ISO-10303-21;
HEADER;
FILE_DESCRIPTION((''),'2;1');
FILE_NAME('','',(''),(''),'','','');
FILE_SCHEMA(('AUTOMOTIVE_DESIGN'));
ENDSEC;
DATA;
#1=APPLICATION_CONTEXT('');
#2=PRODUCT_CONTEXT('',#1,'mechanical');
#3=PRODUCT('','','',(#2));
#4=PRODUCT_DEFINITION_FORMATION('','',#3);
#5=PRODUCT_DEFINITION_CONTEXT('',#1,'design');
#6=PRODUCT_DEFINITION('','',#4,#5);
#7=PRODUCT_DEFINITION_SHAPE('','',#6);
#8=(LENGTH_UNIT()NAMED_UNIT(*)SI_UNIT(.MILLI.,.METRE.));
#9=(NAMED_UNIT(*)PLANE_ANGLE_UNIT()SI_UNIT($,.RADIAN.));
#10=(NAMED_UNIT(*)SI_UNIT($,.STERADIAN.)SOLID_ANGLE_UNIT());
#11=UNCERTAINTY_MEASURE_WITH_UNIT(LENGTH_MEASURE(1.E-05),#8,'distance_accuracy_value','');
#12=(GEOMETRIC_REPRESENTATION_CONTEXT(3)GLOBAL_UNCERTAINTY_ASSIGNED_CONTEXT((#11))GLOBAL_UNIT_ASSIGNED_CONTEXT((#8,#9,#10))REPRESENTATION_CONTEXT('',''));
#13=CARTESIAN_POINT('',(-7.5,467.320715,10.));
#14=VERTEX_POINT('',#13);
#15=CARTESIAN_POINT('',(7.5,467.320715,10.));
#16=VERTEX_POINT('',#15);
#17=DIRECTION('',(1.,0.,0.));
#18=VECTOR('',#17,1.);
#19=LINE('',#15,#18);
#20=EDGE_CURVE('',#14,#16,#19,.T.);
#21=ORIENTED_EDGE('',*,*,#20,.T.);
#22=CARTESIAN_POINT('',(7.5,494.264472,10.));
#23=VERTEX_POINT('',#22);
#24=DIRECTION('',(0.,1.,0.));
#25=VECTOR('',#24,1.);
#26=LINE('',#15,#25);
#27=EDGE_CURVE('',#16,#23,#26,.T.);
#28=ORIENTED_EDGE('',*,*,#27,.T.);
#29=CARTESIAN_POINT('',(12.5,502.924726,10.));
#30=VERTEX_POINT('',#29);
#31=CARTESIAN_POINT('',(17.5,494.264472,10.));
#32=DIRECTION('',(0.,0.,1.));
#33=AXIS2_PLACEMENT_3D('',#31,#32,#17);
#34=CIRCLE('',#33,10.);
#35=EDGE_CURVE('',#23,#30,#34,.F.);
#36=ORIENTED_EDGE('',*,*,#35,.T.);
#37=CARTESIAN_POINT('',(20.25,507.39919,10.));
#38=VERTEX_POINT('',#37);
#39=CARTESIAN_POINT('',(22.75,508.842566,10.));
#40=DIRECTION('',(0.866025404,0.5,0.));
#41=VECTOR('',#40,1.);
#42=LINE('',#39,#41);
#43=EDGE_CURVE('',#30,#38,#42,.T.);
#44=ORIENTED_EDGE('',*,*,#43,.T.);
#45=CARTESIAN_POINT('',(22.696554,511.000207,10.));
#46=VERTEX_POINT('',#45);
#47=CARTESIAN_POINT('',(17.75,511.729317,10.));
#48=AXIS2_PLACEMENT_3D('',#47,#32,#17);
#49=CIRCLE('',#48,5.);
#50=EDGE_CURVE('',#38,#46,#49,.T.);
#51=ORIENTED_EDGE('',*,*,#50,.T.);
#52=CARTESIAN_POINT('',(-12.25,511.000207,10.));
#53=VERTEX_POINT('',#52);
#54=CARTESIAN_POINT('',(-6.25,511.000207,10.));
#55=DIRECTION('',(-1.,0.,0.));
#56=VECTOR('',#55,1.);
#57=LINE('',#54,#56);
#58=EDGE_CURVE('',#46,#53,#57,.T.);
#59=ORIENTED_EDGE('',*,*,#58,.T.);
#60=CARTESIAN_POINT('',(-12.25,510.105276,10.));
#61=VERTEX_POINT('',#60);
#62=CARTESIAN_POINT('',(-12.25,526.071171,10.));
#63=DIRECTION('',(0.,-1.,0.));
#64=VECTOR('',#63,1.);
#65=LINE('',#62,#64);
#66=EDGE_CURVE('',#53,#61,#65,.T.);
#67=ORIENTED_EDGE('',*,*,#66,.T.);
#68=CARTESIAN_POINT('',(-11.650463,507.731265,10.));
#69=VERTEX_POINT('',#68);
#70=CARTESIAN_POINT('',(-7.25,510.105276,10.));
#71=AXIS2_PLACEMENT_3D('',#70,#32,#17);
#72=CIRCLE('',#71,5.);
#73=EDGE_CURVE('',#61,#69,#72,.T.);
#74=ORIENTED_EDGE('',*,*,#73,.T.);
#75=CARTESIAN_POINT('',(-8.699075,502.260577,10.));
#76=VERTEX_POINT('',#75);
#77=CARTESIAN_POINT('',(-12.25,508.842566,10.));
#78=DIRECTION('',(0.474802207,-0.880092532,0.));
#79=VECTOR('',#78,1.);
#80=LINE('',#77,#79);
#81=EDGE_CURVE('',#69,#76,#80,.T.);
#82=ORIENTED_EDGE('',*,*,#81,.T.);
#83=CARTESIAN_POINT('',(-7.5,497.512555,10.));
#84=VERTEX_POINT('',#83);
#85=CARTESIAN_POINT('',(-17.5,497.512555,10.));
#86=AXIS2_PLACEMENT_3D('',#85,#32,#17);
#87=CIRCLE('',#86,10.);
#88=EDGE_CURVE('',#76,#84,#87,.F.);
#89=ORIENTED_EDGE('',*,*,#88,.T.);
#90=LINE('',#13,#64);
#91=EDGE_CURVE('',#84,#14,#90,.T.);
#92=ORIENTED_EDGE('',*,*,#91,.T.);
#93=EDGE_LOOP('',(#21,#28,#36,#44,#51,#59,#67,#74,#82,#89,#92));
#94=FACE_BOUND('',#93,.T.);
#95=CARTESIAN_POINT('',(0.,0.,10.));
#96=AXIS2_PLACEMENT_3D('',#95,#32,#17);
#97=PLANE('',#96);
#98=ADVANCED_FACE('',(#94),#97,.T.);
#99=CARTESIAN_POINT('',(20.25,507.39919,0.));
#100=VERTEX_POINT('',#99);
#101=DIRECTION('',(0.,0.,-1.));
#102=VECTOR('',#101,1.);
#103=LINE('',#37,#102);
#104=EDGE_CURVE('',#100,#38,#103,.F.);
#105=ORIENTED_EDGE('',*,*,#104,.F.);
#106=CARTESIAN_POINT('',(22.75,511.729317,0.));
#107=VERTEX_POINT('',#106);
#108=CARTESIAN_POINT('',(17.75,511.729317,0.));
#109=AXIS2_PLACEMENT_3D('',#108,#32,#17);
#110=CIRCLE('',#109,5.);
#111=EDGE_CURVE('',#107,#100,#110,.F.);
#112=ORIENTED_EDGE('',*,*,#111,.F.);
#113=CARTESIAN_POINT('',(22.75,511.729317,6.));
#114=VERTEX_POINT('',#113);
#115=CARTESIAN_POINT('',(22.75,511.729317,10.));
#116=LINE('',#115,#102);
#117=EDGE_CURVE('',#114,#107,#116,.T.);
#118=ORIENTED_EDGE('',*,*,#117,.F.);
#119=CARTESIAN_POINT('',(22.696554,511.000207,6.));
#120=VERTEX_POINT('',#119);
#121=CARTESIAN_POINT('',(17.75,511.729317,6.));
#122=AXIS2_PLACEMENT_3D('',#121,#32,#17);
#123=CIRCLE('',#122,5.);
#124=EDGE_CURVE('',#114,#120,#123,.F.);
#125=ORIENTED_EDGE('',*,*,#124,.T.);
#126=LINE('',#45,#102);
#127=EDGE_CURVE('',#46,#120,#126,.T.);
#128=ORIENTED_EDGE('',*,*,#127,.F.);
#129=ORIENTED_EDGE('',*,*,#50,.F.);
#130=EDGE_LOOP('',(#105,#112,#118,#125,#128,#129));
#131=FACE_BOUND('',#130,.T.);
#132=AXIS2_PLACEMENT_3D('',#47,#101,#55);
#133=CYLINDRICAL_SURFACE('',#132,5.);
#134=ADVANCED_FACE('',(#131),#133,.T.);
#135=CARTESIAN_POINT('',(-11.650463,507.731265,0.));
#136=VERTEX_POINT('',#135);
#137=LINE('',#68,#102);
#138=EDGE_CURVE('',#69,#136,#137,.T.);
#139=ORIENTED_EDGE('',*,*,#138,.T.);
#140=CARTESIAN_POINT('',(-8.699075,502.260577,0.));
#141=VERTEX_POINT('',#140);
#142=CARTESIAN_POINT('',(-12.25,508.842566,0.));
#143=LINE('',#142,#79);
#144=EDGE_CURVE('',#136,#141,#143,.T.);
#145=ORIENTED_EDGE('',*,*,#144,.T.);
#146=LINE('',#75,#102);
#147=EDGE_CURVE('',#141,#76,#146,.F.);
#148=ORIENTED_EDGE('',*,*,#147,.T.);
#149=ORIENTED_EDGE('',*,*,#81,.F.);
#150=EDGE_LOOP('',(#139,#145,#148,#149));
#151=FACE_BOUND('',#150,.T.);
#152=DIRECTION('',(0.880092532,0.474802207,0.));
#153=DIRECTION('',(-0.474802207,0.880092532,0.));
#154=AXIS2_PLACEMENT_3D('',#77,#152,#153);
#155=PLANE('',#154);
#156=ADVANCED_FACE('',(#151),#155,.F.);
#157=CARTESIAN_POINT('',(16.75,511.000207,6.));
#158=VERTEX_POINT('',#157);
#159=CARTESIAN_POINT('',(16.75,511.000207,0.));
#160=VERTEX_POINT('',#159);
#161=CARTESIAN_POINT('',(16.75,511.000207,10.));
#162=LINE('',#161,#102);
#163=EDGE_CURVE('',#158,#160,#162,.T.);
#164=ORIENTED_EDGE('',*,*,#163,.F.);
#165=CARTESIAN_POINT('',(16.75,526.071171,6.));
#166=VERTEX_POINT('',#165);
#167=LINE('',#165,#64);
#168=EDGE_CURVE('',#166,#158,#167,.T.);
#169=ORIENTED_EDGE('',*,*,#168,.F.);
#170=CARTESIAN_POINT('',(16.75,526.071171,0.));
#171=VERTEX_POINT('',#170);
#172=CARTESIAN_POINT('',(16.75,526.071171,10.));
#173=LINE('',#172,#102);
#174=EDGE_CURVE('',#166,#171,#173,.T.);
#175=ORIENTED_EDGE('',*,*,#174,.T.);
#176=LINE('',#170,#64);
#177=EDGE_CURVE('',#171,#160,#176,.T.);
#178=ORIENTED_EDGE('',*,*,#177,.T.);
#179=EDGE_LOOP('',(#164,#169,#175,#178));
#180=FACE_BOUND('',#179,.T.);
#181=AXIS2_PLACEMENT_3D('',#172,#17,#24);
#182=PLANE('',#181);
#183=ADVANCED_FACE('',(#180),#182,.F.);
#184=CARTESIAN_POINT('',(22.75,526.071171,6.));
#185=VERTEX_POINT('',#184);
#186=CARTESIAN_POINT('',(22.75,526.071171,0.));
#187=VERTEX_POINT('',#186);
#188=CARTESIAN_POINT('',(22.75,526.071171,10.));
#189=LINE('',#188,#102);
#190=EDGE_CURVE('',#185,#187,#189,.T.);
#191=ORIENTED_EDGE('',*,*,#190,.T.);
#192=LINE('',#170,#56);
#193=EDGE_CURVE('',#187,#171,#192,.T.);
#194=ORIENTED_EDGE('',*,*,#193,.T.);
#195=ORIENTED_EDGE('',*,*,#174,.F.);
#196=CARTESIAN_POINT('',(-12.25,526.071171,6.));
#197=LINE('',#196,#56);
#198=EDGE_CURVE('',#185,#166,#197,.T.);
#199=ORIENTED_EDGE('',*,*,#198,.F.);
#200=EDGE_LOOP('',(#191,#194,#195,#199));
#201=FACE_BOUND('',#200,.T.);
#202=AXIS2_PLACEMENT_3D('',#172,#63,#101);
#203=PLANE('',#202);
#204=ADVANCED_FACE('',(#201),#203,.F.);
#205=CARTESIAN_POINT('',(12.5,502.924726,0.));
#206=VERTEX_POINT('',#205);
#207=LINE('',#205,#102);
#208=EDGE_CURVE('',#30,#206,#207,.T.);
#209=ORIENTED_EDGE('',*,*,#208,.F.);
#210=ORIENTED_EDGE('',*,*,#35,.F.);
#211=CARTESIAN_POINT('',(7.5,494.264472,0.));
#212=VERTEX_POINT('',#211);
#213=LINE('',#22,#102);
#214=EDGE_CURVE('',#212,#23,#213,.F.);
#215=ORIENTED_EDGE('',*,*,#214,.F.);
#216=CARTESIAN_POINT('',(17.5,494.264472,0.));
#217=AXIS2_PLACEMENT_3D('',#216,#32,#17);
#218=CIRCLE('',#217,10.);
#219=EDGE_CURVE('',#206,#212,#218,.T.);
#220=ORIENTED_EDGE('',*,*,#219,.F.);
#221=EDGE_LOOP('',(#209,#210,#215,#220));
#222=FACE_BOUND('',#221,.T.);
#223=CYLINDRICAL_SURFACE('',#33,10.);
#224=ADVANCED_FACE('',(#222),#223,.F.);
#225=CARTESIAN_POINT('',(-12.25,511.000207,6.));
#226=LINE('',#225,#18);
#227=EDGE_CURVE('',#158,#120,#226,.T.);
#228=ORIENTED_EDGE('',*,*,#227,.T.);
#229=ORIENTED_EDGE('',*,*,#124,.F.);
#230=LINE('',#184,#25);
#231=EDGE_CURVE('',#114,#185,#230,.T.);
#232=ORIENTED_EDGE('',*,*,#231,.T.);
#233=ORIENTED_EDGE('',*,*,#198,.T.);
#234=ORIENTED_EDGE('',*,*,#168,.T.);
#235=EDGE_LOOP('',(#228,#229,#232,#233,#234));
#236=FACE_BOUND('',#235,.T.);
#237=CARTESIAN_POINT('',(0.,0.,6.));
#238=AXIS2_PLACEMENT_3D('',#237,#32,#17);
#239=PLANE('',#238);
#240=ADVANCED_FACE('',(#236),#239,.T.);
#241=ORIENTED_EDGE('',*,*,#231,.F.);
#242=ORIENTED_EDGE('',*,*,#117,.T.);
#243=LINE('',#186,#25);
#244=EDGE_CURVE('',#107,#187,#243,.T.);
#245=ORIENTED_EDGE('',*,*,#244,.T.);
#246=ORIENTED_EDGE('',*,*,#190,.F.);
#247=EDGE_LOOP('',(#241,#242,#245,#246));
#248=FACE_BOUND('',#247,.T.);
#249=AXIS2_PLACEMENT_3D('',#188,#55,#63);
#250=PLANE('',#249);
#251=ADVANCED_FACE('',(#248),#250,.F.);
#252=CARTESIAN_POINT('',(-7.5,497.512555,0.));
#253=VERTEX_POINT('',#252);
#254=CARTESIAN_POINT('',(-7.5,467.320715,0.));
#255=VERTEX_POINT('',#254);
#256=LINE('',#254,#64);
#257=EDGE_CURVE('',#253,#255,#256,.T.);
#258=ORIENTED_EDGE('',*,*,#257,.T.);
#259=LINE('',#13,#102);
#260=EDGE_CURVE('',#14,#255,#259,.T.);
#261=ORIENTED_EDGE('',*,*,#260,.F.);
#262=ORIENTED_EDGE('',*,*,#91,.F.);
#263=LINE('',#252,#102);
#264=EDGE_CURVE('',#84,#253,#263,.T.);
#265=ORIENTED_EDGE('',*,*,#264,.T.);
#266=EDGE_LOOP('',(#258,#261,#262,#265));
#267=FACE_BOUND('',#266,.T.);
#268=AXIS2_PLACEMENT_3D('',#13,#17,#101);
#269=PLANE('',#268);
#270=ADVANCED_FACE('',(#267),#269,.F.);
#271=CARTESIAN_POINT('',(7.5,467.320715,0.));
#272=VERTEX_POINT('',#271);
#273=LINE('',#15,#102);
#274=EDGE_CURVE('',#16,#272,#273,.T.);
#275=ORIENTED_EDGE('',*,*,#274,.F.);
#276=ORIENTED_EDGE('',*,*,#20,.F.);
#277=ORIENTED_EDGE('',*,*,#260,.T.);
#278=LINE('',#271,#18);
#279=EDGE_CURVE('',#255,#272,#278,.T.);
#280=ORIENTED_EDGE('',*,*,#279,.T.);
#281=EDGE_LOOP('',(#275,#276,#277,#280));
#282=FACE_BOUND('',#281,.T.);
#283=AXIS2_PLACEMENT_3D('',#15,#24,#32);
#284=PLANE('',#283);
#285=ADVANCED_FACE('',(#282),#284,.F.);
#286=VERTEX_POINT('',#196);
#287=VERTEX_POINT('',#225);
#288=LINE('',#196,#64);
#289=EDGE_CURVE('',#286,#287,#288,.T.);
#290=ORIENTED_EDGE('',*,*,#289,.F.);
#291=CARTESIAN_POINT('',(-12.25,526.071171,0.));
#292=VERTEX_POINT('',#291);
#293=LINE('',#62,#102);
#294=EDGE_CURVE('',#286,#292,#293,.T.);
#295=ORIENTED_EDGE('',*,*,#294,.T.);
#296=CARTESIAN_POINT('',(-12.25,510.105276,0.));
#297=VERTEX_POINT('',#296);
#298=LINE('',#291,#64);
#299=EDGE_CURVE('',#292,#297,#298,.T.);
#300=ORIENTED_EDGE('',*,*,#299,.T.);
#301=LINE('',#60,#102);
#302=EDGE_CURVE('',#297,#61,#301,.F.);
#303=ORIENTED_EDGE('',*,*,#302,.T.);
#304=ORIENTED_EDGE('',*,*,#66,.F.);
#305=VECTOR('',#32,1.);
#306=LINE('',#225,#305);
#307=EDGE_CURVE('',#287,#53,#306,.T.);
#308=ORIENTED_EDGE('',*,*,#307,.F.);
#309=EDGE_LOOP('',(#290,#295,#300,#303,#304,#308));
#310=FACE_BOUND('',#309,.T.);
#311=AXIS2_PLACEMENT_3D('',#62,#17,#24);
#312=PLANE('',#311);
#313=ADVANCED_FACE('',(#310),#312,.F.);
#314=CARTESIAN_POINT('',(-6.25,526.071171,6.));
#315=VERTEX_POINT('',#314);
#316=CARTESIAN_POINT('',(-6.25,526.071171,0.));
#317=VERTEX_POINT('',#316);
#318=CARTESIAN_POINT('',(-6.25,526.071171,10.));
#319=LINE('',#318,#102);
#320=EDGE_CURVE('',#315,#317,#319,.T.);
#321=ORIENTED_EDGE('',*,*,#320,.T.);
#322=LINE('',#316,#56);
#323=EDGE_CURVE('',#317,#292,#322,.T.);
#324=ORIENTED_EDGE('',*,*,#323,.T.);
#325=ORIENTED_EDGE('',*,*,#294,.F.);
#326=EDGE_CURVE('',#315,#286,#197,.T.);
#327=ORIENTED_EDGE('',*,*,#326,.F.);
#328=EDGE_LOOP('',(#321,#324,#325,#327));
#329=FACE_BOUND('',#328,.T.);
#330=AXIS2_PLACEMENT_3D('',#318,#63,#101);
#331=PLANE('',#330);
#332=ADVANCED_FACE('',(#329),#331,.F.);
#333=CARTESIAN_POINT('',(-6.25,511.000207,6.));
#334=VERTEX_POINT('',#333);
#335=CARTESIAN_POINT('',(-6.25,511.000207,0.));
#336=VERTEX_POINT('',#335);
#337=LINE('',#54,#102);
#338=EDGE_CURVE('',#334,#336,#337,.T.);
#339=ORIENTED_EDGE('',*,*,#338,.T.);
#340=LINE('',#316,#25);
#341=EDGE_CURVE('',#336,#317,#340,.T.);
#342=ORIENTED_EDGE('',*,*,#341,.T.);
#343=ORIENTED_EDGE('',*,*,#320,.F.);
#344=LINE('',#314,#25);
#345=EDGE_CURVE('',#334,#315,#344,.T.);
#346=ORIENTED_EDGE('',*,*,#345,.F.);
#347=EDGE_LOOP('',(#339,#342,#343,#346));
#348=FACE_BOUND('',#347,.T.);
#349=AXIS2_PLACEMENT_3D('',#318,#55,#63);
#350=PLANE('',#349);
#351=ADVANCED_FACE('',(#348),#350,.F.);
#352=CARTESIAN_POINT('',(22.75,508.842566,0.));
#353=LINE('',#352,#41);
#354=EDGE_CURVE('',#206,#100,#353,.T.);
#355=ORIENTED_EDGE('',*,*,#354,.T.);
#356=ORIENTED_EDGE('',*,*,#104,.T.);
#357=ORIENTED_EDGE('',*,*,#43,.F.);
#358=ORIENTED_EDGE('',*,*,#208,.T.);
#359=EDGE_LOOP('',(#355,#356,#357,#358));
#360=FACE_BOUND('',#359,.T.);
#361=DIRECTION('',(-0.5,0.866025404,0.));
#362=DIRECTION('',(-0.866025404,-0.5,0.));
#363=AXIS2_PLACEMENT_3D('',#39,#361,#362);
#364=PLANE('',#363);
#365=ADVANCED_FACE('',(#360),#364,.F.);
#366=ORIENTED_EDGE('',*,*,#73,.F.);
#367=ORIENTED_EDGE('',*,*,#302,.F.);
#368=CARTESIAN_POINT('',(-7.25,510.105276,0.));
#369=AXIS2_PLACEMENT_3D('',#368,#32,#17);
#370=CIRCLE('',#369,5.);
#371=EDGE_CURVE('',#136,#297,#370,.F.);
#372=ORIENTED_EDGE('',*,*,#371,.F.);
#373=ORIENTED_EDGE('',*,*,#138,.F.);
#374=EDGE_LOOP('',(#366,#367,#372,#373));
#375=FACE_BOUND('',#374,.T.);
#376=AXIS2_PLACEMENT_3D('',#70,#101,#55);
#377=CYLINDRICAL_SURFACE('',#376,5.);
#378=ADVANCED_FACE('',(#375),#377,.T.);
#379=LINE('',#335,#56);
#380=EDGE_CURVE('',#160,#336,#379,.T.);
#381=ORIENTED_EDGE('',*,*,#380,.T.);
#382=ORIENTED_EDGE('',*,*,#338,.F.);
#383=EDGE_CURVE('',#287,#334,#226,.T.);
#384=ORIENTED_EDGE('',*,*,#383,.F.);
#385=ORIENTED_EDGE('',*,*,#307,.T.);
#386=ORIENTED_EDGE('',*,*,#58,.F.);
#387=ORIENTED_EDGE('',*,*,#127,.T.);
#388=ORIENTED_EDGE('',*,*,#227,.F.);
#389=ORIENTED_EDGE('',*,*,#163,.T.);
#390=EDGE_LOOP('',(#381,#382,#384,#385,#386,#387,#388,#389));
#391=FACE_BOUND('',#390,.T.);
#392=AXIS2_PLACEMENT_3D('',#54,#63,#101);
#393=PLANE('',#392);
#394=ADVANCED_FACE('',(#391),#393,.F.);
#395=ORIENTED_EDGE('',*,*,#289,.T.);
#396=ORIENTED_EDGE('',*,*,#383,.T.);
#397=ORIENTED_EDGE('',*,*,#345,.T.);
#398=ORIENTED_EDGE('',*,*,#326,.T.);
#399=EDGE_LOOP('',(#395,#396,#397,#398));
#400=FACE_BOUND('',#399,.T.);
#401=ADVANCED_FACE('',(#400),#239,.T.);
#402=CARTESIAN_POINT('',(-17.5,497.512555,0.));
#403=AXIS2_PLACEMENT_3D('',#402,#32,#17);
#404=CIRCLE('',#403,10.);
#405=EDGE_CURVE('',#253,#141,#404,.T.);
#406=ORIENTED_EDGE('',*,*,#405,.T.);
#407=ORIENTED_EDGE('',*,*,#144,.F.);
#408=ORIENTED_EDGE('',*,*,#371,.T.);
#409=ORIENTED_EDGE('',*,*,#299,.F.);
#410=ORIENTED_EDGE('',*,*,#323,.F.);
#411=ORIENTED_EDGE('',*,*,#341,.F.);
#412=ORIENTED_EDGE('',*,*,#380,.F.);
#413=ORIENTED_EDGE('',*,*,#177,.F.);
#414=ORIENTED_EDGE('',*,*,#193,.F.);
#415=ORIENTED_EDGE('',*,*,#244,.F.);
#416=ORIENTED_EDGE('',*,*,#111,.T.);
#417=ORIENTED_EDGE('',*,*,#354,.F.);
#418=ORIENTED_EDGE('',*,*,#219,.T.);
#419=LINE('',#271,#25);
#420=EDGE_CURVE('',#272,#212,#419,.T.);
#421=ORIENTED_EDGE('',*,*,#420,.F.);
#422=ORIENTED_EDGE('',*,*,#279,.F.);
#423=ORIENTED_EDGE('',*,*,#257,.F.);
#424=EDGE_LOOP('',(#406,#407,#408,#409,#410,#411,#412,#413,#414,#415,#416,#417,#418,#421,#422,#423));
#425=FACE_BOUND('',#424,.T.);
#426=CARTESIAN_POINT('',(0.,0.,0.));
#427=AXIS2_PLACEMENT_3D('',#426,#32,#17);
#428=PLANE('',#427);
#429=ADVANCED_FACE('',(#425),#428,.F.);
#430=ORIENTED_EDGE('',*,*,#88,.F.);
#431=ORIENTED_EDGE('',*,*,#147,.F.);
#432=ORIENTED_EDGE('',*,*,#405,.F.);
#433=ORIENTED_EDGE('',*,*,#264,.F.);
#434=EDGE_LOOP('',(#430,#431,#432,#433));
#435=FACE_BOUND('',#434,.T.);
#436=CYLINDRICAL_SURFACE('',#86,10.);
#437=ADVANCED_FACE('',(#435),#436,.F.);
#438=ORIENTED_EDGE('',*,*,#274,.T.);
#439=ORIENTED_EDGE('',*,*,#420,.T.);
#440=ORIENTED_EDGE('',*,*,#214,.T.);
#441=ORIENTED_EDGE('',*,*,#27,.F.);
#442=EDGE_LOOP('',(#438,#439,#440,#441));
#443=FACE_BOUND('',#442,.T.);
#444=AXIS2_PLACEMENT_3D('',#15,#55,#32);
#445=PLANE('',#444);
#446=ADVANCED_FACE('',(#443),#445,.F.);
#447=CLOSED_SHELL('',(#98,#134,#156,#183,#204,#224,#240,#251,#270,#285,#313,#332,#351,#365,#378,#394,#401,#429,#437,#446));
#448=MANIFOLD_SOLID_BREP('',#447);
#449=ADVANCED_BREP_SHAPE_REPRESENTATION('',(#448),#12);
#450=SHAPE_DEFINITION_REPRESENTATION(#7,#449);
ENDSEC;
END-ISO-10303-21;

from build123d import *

# Parameters (mm, degrees)
BOSS_EXTRUDE1_DEPTH = 10
FILLET1_R           = 10
FILLET2_R           = 5
SKETCH2_W           = 35
SKETCH2_H           = 15.070963555
CUT_EXTRUDE1_DEPTH  = 4


with BuildPart() as part:
    # Sketch1 → Boss-Extrude1 (new body)
    with BuildSketch(Plane.XY):
        Polygon((-7.5, 467.320715151), (-7.5, 500.037974444), (-12.25, 508.842566049), (-12.25, 526.07117063), (-6.25, 526.07117063), (-6.25, 511.000207075), (16.75, 511.000207075), (16.75, 526.07117063), (22.75, 526.07117063), (22.75, 508.842566049), (7.5, 500.037974444), (7.5, 467.320715151), align=None)
    extrude(amount=BOSS_EXTRUDE1_DEPTH)

    # Fillet1
    fillet1_edges = [part.edges().sort_by_distance(p)[0] for p in [
        (7.5, 500.037974444, 5),
        (-7.5, 500.037974444, 5),
    ]]
    fillet(fillet1_edges, radius=FILLET1_R)

    # Fillet2
    fillet2_edges = [part.edges().sort_by_distance(p)[0] for p in [
        (22.75, 508.842566049, 5),
        (-12.25, 508.842566049, 5),
    ]]
    fillet(fillet2_edges, radius=FILLET2_R)

    # Sketch2 → Cut-Extrude1 (cut)
    with BuildSketch(Plane.XY.offset(10)):
        with Locations((5.25, 518.535688853)):
            Rectangle(SKETCH2_W, SKETCH2_H)
    extrude(amount=-CUT_EXTRUDE1_DEPTH, mode=Mode.SUBTRACT)


solid = part.part
